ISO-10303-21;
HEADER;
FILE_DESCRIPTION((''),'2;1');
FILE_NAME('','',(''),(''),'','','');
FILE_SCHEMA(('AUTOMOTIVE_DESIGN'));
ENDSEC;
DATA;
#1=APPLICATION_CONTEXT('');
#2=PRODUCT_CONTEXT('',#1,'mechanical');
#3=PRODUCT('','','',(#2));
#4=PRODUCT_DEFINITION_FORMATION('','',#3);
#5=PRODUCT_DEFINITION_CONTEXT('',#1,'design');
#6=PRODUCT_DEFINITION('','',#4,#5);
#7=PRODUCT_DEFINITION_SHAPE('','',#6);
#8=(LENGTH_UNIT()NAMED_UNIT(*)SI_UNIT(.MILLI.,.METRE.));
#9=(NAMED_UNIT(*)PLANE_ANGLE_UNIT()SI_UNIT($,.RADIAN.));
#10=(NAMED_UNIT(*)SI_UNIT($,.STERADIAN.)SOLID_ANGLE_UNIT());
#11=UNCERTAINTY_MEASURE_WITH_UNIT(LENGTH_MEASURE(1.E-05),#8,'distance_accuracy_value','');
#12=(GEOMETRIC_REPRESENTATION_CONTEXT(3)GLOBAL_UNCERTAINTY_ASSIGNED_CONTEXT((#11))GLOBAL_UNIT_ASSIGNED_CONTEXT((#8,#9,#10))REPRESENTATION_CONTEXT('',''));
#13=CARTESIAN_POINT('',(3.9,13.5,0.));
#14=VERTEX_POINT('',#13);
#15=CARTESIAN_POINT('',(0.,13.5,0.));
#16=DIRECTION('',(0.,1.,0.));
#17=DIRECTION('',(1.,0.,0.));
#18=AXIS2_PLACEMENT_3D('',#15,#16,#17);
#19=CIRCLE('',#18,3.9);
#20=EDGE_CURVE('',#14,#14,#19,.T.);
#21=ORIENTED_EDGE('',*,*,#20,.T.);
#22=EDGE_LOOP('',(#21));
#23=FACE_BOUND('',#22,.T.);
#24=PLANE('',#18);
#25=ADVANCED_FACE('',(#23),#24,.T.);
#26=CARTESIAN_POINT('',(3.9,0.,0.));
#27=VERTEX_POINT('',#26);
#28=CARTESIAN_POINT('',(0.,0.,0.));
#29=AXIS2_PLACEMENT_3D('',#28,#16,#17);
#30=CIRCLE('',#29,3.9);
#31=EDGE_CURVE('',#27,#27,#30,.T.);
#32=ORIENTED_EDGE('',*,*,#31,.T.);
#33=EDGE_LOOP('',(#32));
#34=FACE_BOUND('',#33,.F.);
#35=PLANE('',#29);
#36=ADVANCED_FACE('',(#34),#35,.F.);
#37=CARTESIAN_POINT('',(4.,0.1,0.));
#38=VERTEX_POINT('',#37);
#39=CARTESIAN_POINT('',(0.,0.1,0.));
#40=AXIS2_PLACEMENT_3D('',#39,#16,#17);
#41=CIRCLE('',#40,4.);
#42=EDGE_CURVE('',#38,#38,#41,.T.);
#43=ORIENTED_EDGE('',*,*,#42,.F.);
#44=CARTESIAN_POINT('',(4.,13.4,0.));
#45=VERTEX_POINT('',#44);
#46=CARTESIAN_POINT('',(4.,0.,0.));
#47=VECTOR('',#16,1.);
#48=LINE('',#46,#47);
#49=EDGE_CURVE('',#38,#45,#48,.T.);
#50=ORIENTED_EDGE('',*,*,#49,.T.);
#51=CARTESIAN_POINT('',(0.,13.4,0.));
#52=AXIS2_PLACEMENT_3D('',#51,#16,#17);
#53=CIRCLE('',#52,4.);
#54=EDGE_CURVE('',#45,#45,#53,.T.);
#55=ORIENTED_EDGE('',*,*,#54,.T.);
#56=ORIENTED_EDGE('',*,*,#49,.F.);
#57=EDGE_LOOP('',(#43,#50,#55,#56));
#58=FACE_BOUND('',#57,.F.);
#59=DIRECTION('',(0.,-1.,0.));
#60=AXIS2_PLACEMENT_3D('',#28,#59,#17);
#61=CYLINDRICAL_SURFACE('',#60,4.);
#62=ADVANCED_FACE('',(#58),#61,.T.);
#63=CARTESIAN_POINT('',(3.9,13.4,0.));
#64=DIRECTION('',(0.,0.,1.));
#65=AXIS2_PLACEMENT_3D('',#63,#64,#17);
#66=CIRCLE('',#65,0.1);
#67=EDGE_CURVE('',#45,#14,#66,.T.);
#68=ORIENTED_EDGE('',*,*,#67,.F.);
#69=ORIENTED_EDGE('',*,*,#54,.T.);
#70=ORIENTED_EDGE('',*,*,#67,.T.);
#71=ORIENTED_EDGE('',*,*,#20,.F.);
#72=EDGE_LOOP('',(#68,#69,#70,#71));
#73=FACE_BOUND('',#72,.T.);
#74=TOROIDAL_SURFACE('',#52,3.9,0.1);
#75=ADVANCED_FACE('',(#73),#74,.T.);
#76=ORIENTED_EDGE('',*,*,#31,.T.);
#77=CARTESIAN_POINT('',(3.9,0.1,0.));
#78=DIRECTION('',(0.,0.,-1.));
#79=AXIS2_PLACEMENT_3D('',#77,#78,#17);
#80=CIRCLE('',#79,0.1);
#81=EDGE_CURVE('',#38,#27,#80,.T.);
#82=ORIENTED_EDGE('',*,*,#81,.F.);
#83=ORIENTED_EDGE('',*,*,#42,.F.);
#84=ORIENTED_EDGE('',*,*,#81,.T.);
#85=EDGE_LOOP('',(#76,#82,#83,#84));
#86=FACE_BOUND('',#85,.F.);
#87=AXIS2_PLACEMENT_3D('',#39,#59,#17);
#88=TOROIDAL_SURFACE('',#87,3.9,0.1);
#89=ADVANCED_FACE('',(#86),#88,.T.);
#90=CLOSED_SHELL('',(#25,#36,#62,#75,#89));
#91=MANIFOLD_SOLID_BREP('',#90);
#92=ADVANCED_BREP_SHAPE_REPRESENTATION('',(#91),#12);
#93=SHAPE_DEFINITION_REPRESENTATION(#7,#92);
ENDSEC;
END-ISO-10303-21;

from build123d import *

# Parameters (mm, degrees)
SKETCH_1_R      = 4
EXTRUDE_1_DEPTH = 13.5
FILLET_1_R      = 0.1
FILLET_2_R      = 0.1


with BuildPart() as part:
    # Эскиз1 → Бобышка-Вытянуть1 (new body)
    with BuildSketch(Plane(origin=(0, 0, 0), x_dir=(1, 0, 0), z_dir=(0, 1, 0))):
        Circle(SKETCH_1_R)
    extrude(amount=EXTRUDE_1_DEPTH)

    # Скругление1
    fillet_1_edges = [part.edges().sort_by_distance(p)[0] for p in [
        (-4, 13.5, 0),
    ]]
    fillet(fillet_1_edges, radius=FILLET_1_R)

    # Скругление2
    fillet_2_edges = [part.edges().sort_by_distance(p)[0] for p in [
        (-4, 0, 0),
    ]]
    fillet(fillet_2_edges, radius=FILLET_2_R)


solid = part.part
